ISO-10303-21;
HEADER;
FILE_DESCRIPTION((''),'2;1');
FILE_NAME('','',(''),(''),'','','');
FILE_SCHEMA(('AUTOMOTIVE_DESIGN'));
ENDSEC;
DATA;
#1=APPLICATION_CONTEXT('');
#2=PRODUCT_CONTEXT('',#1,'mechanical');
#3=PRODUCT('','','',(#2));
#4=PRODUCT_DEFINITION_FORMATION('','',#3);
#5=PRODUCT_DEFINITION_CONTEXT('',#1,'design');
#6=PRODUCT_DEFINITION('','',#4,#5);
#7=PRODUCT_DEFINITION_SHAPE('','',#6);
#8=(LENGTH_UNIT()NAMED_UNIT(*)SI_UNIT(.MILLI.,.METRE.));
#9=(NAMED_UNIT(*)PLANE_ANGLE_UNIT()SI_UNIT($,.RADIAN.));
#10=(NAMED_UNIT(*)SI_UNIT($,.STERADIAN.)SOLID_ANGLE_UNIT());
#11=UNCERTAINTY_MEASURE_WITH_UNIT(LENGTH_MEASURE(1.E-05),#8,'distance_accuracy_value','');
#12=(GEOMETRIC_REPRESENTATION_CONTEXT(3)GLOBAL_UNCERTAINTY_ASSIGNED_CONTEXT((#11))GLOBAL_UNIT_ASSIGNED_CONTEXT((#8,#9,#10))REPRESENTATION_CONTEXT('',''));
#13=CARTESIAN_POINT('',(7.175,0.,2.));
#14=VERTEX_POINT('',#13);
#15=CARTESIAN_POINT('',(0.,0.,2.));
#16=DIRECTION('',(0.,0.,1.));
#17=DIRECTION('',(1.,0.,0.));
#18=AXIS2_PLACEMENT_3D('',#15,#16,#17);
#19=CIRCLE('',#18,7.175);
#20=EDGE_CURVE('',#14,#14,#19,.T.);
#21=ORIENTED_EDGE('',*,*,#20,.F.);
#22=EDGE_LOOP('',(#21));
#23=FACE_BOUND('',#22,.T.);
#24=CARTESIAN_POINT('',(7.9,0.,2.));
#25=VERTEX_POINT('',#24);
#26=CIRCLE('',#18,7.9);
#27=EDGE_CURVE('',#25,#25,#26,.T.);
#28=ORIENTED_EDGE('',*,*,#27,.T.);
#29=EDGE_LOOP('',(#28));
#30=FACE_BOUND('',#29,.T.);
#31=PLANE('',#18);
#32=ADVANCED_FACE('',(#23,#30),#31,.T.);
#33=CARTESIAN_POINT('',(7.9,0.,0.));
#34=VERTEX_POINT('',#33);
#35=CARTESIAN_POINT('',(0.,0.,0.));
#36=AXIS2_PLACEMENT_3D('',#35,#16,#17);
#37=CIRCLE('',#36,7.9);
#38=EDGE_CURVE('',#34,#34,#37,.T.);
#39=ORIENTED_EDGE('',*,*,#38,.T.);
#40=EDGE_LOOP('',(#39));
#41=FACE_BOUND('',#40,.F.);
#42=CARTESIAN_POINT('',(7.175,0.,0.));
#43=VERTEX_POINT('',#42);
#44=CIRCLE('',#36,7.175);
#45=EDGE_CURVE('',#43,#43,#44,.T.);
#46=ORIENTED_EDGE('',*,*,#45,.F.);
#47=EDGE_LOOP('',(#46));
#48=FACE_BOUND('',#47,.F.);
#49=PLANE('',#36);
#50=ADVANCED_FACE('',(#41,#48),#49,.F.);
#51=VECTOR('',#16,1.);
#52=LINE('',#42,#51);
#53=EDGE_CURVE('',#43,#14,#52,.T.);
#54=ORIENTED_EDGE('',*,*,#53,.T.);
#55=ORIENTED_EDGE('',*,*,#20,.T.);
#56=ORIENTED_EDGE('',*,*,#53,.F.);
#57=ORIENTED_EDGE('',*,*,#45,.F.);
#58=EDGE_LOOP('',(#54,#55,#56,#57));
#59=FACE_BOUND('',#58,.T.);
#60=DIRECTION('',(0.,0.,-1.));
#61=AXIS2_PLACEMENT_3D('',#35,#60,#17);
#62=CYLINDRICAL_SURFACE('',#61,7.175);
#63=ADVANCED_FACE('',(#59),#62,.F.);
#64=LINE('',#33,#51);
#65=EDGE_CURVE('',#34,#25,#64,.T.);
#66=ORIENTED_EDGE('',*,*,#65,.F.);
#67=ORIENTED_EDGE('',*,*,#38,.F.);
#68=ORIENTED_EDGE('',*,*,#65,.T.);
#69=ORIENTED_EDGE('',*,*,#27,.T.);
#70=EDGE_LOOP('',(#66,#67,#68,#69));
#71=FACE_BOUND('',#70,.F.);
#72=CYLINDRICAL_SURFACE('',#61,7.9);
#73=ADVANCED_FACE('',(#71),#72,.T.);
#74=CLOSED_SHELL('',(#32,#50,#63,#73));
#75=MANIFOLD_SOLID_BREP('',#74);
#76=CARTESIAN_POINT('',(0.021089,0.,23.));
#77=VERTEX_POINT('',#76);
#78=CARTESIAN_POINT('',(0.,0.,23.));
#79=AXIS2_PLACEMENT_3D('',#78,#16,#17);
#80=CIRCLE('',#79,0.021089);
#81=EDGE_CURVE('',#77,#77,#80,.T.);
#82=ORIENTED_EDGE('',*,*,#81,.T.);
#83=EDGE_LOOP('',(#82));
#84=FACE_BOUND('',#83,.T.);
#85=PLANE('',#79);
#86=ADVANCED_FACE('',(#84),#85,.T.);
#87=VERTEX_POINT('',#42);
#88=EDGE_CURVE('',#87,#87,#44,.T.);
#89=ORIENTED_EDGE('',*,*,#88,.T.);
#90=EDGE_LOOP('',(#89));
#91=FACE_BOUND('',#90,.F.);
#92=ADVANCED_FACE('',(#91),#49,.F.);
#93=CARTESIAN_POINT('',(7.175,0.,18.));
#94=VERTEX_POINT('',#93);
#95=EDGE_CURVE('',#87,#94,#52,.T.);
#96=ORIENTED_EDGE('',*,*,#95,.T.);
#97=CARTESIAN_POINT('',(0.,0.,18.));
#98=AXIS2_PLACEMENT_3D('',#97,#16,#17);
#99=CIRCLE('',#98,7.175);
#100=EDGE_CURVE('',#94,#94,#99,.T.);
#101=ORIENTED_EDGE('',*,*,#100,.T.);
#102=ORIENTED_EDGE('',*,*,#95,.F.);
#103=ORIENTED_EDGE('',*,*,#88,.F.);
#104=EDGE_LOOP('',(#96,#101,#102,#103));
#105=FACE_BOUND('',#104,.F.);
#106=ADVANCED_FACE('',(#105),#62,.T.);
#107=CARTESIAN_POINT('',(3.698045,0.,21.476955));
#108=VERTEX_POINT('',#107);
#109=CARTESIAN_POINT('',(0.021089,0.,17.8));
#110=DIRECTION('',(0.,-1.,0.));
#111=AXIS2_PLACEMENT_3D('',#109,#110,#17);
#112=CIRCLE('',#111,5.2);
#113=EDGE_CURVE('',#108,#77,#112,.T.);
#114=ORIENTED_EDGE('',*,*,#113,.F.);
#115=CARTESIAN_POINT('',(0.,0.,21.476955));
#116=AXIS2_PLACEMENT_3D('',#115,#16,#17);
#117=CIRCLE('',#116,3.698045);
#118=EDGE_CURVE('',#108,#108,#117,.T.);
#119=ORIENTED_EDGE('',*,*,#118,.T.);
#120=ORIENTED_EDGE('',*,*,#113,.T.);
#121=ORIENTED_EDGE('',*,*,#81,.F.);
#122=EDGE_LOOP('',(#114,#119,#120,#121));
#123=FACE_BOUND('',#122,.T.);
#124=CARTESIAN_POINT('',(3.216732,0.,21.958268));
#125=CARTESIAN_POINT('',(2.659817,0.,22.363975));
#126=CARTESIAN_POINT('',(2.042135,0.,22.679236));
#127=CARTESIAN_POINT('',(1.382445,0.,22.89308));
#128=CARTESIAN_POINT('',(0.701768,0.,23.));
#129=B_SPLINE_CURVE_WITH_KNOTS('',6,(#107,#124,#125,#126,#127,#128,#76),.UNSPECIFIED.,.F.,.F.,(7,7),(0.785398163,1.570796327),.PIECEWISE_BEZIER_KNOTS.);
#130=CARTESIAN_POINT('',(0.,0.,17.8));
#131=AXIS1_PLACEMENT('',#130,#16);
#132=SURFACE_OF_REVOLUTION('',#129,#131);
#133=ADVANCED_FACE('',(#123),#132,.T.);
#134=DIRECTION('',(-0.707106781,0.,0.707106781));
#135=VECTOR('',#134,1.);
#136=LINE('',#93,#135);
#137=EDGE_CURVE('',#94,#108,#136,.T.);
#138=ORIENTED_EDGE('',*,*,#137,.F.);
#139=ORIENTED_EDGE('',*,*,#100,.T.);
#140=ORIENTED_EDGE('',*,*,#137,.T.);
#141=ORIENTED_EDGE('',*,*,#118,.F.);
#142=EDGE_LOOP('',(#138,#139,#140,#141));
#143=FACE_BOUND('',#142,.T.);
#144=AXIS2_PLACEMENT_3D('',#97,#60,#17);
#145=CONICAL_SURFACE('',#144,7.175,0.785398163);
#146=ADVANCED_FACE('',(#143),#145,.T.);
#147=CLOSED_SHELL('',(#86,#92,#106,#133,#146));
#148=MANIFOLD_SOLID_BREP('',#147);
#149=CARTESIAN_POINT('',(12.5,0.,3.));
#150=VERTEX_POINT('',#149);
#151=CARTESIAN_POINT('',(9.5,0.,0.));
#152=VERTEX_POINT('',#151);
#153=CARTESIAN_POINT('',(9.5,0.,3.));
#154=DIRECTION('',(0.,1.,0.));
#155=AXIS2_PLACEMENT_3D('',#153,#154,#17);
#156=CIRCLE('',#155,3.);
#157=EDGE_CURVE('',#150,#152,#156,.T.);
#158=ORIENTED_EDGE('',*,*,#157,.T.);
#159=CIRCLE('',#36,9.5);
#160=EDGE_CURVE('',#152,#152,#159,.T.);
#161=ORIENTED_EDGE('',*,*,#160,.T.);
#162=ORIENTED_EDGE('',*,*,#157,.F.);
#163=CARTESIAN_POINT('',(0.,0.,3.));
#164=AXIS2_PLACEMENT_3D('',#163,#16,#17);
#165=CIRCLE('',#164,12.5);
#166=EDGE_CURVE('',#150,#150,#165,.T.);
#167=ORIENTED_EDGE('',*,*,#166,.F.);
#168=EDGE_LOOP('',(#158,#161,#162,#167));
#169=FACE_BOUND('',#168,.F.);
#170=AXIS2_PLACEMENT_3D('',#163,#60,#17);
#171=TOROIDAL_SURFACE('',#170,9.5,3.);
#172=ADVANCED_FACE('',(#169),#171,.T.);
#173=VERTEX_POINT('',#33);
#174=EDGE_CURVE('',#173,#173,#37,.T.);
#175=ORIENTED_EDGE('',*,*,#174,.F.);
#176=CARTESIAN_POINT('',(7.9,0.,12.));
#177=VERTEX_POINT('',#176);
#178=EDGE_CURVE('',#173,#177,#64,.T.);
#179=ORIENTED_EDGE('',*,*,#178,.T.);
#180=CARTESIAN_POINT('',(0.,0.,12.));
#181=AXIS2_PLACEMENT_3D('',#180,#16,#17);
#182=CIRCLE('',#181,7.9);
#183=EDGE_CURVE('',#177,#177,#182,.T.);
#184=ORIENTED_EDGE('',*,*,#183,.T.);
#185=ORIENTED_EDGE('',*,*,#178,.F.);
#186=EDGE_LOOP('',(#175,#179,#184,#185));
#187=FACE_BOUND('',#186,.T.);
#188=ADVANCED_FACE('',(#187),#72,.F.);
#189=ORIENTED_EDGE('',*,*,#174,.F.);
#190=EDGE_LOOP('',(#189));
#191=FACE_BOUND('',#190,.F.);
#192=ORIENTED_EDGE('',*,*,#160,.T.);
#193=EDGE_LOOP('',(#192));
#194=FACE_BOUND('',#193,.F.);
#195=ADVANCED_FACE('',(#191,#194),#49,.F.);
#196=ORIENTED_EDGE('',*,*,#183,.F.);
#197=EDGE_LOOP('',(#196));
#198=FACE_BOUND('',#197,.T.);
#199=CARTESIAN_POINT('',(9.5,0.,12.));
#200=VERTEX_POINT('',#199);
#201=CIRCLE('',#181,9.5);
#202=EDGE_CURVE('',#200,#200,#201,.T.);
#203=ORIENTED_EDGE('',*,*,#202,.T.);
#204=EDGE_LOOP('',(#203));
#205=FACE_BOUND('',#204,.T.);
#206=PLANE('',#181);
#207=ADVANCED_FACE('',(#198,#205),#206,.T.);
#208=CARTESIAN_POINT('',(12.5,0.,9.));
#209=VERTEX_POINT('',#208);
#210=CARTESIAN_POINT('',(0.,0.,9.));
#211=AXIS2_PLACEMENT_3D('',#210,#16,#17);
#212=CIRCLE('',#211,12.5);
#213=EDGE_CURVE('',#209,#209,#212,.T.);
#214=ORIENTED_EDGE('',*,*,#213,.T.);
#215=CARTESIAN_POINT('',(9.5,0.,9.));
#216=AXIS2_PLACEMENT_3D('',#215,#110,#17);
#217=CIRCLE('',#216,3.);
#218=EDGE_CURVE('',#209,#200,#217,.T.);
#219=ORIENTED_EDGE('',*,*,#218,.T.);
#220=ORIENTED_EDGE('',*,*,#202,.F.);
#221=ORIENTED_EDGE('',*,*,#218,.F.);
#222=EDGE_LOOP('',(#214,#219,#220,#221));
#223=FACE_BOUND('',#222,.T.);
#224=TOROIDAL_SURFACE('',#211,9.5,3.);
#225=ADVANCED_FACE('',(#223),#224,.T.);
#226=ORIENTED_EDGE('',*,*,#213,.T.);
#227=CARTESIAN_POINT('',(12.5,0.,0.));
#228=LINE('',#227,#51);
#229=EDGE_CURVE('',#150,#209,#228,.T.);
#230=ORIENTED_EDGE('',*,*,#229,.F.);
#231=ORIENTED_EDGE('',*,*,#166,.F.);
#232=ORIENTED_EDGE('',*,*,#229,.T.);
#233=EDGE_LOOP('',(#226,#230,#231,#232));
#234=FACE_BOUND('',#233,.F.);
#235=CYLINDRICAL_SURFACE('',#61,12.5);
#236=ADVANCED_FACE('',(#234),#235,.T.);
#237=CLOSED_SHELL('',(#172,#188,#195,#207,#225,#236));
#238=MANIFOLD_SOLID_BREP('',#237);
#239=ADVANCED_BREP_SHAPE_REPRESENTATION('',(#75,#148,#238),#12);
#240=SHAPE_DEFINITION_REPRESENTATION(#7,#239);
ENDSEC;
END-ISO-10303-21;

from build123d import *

# Parameters (mm, degrees)
F0_R     = 12.5
F0_R_2   = 7.9
F1_DEPTH = 12
F0_R_3   = 7.175
F2_DEPTH = 23
F3_DEPTH = 2
F4_R     = 3
F5_SIZE  = 5
F6_R     = 5.2


with BuildPart() as f1:
    # F0 (on Top) → F1 (new body)
    with BuildSketch(Plane.XY):
        Circle(F0_R)
        Circle(F0_R_2, mode=Mode.SUBTRACT)
    extrude(amount=F1_DEPTH)

    # F4
    f4_edges = [f1.edges().sort_by_distance(p)[0] for p in [
        (-12.5, 0, 12),
        (-12.5, 0, 0),
    ]]
    fillet(f4_edges, radius=F4_R)


with BuildPart() as f2:
    # F0 (on Top) → F2 (new body)
    with BuildSketch(Plane.XY):
        Circle(F0_R_3)
    extrude(amount=F2_DEPTH)

    # F5
    f5_edges = [f2.edges().sort_by_distance(p)[0] for p in [
        (-7.175, 0, 23),
    ]]
    chamfer(f5_edges, length=F5_SIZE)

    # F6
    f6_edges = [f2.edges().sort_by_distance(p)[0] for p in [
        (-2.175, 0, 23),
    ]]
    fillet(f6_edges, radius=F6_R)


with BuildPart() as f3:
    # F0 (on Top) → F3 (new body)
    with BuildSketch(Plane.XY):
        Circle(F0_R_2)
        Circle(F0_R_3, mode=Mode.SUBTRACT)
    extrude(amount=F3_DEPTH)


solid = Compound([f1.part, f2.part, f3.part])
